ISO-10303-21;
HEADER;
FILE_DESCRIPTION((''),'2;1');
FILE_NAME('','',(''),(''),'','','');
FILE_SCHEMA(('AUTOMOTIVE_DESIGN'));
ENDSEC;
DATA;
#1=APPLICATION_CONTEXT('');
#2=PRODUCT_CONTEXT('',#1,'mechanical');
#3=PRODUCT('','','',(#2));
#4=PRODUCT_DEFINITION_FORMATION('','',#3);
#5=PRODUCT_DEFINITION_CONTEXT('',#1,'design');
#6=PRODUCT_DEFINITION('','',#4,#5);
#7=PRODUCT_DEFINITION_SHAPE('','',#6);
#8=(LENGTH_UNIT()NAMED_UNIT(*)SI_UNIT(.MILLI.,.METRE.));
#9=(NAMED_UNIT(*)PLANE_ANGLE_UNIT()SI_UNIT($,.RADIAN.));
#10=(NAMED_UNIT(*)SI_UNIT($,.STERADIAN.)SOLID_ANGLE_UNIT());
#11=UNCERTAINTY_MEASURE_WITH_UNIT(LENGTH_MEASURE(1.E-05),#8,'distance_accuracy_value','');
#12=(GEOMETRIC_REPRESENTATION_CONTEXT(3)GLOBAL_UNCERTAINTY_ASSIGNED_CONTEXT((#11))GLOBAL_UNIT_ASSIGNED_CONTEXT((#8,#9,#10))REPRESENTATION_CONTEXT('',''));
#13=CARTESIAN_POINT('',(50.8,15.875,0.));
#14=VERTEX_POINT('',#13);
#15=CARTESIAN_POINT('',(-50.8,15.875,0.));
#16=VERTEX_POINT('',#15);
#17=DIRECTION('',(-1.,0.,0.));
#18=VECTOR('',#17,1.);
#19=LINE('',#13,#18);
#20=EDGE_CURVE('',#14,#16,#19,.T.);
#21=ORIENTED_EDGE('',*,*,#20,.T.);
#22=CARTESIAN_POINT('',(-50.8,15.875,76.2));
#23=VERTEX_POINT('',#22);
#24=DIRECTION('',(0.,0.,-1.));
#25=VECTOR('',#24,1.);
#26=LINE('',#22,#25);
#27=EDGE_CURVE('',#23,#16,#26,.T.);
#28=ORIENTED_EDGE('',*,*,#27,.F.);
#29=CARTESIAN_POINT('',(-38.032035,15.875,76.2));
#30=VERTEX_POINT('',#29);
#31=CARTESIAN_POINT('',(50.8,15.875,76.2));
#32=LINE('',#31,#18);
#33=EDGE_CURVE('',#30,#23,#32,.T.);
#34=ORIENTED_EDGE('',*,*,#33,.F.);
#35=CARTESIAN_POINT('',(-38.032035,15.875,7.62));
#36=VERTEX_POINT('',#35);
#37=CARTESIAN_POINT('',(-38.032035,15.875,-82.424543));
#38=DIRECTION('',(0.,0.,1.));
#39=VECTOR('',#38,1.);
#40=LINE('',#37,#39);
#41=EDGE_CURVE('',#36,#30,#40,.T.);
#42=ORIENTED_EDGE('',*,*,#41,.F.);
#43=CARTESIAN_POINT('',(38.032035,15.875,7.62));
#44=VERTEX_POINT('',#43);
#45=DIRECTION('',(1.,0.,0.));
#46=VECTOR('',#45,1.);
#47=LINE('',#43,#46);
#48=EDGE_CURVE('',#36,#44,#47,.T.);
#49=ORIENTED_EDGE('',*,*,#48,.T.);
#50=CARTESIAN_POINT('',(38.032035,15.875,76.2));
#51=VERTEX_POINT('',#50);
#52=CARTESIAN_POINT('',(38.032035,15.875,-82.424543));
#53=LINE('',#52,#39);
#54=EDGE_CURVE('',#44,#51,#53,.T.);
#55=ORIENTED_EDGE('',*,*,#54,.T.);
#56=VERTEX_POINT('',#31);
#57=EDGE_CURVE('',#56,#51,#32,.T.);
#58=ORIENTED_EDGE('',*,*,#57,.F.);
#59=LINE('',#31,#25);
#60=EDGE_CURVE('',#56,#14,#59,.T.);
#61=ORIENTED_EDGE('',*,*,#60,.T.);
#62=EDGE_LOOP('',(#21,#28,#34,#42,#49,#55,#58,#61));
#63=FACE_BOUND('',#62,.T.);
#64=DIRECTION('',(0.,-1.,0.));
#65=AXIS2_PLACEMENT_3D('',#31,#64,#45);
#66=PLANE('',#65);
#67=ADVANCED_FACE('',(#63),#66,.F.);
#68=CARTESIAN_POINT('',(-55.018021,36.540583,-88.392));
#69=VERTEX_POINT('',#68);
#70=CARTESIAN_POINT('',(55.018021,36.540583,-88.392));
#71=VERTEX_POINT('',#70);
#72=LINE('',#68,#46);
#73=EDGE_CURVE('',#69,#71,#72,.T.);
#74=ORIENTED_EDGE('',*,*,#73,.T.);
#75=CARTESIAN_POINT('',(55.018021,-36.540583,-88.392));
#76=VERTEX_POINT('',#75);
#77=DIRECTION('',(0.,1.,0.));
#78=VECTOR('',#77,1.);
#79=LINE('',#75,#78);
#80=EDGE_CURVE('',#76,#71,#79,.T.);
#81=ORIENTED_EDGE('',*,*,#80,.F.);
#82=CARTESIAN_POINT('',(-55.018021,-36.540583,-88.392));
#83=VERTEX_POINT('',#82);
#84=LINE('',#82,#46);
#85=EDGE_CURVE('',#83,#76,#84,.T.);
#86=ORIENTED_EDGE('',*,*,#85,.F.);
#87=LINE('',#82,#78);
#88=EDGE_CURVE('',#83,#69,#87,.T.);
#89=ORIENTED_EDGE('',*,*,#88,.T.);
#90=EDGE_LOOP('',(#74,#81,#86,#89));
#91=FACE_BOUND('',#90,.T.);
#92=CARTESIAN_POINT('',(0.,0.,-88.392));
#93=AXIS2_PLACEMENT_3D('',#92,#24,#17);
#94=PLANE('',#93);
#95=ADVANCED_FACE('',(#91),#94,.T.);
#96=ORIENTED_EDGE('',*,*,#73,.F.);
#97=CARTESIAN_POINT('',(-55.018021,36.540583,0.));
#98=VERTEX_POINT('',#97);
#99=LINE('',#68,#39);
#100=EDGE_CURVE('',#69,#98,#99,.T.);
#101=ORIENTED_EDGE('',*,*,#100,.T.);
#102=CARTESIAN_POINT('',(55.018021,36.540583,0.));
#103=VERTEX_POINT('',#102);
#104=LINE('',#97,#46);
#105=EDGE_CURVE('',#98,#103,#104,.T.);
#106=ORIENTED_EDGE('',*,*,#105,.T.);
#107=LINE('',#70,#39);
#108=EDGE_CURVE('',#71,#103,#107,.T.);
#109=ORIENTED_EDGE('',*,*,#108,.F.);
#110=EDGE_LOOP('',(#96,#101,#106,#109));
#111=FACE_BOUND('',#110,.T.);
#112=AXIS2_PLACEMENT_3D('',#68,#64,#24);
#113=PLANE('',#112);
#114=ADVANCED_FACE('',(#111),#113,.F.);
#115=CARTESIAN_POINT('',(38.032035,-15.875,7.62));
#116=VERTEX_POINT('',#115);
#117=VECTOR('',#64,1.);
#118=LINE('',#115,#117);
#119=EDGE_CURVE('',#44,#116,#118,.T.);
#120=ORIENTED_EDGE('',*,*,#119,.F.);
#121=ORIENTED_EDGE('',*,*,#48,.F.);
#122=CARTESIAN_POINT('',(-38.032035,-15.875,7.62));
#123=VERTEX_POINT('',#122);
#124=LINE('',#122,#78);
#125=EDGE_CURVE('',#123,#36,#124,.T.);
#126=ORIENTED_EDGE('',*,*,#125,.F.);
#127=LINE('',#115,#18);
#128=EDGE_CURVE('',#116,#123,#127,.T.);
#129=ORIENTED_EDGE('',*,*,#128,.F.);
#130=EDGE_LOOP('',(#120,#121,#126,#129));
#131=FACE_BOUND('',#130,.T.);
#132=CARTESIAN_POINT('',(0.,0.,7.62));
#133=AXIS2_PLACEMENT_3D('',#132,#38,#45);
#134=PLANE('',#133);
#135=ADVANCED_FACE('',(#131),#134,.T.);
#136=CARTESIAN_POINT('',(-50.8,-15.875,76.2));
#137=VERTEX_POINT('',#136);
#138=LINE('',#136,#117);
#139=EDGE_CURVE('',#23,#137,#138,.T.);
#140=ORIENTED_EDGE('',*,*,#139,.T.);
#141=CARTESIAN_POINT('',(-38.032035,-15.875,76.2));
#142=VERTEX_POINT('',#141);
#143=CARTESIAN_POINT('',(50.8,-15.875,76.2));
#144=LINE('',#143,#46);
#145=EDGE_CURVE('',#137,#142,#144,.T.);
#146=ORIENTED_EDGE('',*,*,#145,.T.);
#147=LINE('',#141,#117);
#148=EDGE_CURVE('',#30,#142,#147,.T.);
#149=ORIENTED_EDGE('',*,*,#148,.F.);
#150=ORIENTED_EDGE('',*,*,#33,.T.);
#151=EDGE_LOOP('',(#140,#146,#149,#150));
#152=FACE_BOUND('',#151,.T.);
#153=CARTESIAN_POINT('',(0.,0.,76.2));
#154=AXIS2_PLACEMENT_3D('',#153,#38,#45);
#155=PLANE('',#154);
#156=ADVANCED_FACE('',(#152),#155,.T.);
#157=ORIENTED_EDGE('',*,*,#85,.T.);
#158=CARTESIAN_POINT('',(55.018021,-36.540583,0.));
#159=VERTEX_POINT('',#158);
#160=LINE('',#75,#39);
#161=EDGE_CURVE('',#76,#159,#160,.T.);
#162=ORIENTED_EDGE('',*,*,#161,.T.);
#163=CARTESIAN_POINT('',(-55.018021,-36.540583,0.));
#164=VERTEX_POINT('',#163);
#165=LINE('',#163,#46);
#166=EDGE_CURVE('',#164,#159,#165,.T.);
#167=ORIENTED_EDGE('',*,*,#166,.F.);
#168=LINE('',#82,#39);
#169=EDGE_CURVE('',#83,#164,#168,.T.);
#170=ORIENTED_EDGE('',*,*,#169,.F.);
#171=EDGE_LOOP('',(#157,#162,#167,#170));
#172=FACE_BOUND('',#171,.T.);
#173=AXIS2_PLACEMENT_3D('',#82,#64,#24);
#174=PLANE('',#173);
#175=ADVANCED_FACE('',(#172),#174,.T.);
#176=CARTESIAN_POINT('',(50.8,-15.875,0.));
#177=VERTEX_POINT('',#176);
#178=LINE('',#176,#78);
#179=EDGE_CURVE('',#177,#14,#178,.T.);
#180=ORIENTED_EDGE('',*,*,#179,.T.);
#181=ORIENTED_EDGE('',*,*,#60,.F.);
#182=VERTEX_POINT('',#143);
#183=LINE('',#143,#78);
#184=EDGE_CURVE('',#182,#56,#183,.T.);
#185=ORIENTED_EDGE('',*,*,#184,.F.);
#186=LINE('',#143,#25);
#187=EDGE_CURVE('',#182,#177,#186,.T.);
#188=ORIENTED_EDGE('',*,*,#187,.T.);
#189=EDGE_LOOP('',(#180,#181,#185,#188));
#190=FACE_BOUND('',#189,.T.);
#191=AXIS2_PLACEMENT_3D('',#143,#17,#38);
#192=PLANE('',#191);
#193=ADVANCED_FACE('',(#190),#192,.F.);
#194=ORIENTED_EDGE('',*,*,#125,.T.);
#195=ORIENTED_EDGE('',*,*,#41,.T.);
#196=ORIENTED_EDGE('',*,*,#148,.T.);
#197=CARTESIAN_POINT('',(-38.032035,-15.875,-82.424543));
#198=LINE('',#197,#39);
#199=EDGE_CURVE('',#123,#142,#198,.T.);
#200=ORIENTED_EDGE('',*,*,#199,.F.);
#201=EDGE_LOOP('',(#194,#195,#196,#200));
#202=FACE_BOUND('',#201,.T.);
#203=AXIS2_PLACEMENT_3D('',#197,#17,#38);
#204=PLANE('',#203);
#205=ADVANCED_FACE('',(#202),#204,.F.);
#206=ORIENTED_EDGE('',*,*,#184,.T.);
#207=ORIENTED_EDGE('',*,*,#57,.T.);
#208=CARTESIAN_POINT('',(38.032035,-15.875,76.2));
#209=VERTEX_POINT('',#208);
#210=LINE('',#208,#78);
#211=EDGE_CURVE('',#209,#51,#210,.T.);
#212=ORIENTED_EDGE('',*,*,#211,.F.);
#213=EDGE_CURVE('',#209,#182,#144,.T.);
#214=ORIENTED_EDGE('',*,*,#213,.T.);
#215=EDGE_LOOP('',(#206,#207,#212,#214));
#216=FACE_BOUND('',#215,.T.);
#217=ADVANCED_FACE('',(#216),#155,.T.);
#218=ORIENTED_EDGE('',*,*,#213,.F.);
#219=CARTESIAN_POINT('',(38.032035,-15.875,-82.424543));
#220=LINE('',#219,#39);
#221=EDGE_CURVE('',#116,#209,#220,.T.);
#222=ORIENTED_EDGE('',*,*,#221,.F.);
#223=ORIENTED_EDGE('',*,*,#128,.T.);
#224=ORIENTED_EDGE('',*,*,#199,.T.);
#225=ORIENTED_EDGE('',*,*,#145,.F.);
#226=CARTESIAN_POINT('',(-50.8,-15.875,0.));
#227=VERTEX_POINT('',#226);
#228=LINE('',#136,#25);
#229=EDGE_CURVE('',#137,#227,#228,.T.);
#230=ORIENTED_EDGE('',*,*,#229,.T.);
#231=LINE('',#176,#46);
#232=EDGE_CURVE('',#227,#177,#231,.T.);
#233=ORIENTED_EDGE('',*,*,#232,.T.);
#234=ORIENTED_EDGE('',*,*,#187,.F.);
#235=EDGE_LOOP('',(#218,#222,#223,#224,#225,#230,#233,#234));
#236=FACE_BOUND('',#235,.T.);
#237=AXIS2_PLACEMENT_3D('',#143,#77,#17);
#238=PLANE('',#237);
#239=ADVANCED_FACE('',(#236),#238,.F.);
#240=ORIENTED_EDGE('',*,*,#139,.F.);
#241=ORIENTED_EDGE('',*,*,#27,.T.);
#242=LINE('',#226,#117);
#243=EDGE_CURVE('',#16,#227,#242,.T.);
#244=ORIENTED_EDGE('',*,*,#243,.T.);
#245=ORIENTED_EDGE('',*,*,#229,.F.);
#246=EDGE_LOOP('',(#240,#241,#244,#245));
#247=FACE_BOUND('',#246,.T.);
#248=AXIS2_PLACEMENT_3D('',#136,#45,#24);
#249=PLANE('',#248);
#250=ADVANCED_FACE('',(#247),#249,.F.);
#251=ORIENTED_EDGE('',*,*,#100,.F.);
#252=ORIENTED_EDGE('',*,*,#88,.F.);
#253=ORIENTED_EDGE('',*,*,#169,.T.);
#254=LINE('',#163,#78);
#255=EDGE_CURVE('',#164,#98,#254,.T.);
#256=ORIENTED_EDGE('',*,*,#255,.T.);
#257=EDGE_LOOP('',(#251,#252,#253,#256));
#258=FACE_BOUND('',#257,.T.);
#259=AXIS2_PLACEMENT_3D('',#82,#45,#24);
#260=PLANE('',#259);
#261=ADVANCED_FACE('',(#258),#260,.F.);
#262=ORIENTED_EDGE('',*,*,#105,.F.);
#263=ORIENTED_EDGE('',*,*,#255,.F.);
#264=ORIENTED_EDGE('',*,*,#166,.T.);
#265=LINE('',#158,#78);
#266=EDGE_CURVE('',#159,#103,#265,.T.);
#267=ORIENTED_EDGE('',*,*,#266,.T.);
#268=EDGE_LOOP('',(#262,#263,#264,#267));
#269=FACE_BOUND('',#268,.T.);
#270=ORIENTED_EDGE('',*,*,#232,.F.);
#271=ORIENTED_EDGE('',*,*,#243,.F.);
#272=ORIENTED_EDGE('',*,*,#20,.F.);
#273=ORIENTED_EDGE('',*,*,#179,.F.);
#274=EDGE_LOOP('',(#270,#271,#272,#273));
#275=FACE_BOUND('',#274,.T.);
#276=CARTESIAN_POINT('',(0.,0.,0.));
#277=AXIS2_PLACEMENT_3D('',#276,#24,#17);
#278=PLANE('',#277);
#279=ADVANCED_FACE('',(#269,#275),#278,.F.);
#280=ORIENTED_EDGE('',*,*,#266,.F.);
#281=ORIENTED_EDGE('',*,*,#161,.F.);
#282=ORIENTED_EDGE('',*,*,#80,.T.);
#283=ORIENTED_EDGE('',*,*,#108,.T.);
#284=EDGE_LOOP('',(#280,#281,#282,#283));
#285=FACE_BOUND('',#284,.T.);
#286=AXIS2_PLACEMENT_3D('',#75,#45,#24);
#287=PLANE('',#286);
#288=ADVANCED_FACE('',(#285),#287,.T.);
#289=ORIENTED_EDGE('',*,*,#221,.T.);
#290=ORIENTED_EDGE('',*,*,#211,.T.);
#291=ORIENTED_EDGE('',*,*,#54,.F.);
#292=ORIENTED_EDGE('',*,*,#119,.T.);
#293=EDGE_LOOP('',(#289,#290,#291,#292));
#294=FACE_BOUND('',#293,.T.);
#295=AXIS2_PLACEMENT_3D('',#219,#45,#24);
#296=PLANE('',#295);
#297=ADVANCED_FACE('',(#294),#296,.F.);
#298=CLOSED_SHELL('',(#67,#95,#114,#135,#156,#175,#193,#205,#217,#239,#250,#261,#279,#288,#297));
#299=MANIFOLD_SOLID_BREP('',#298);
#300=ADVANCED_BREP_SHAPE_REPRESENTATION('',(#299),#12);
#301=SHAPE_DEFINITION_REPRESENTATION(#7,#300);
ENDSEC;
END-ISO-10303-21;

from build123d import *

# Parameters (mm, degrees)
SKETCH1_W           = 101.6
SKETCH1_H           = 31.75
BOSS_EXTRUDE1_DEPTH = 76.2
SKETCH2_W           = 76.064070538
SKETCH2_H           = 31.75
CUT_EXTRUDE1_DEPTH  = 68.58
SKETCH4_W           = 110.036041042
SKETCH4_H           = 73.081165812
BOSS_EXTRUDE2_DEPTH = 88.392


with BuildPart() as part:
    # Sketch1 → Boss-Extrude1 (new body)
    with BuildSketch(Plane.XY):
        Rectangle(SKETCH1_W, SKETCH1_H)
    extrude(amount=BOSS_EXTRUDE1_DEPTH)

    # Sketch2 → Cut-Extrude1 (cut)
    with BuildSketch(Plane.XY.offset(76.2)):
        Rectangle(SKETCH2_W, SKETCH2_H)
    extrude(amount=-CUT_EXTRUDE1_DEPTH, mode=Mode.SUBTRACT)

    # Sketch4 → Boss-Extrude2 (add)
    with BuildSketch(Plane(origin=(0, 0, 0), x_dir=(-1, 0, 0), z_dir=(0, 0, -1))):
        Rectangle(SKETCH4_W, SKETCH4_H)
    extrude(amount=BOSS_EXTRUDE2_DEPTH)


solid = part.part
